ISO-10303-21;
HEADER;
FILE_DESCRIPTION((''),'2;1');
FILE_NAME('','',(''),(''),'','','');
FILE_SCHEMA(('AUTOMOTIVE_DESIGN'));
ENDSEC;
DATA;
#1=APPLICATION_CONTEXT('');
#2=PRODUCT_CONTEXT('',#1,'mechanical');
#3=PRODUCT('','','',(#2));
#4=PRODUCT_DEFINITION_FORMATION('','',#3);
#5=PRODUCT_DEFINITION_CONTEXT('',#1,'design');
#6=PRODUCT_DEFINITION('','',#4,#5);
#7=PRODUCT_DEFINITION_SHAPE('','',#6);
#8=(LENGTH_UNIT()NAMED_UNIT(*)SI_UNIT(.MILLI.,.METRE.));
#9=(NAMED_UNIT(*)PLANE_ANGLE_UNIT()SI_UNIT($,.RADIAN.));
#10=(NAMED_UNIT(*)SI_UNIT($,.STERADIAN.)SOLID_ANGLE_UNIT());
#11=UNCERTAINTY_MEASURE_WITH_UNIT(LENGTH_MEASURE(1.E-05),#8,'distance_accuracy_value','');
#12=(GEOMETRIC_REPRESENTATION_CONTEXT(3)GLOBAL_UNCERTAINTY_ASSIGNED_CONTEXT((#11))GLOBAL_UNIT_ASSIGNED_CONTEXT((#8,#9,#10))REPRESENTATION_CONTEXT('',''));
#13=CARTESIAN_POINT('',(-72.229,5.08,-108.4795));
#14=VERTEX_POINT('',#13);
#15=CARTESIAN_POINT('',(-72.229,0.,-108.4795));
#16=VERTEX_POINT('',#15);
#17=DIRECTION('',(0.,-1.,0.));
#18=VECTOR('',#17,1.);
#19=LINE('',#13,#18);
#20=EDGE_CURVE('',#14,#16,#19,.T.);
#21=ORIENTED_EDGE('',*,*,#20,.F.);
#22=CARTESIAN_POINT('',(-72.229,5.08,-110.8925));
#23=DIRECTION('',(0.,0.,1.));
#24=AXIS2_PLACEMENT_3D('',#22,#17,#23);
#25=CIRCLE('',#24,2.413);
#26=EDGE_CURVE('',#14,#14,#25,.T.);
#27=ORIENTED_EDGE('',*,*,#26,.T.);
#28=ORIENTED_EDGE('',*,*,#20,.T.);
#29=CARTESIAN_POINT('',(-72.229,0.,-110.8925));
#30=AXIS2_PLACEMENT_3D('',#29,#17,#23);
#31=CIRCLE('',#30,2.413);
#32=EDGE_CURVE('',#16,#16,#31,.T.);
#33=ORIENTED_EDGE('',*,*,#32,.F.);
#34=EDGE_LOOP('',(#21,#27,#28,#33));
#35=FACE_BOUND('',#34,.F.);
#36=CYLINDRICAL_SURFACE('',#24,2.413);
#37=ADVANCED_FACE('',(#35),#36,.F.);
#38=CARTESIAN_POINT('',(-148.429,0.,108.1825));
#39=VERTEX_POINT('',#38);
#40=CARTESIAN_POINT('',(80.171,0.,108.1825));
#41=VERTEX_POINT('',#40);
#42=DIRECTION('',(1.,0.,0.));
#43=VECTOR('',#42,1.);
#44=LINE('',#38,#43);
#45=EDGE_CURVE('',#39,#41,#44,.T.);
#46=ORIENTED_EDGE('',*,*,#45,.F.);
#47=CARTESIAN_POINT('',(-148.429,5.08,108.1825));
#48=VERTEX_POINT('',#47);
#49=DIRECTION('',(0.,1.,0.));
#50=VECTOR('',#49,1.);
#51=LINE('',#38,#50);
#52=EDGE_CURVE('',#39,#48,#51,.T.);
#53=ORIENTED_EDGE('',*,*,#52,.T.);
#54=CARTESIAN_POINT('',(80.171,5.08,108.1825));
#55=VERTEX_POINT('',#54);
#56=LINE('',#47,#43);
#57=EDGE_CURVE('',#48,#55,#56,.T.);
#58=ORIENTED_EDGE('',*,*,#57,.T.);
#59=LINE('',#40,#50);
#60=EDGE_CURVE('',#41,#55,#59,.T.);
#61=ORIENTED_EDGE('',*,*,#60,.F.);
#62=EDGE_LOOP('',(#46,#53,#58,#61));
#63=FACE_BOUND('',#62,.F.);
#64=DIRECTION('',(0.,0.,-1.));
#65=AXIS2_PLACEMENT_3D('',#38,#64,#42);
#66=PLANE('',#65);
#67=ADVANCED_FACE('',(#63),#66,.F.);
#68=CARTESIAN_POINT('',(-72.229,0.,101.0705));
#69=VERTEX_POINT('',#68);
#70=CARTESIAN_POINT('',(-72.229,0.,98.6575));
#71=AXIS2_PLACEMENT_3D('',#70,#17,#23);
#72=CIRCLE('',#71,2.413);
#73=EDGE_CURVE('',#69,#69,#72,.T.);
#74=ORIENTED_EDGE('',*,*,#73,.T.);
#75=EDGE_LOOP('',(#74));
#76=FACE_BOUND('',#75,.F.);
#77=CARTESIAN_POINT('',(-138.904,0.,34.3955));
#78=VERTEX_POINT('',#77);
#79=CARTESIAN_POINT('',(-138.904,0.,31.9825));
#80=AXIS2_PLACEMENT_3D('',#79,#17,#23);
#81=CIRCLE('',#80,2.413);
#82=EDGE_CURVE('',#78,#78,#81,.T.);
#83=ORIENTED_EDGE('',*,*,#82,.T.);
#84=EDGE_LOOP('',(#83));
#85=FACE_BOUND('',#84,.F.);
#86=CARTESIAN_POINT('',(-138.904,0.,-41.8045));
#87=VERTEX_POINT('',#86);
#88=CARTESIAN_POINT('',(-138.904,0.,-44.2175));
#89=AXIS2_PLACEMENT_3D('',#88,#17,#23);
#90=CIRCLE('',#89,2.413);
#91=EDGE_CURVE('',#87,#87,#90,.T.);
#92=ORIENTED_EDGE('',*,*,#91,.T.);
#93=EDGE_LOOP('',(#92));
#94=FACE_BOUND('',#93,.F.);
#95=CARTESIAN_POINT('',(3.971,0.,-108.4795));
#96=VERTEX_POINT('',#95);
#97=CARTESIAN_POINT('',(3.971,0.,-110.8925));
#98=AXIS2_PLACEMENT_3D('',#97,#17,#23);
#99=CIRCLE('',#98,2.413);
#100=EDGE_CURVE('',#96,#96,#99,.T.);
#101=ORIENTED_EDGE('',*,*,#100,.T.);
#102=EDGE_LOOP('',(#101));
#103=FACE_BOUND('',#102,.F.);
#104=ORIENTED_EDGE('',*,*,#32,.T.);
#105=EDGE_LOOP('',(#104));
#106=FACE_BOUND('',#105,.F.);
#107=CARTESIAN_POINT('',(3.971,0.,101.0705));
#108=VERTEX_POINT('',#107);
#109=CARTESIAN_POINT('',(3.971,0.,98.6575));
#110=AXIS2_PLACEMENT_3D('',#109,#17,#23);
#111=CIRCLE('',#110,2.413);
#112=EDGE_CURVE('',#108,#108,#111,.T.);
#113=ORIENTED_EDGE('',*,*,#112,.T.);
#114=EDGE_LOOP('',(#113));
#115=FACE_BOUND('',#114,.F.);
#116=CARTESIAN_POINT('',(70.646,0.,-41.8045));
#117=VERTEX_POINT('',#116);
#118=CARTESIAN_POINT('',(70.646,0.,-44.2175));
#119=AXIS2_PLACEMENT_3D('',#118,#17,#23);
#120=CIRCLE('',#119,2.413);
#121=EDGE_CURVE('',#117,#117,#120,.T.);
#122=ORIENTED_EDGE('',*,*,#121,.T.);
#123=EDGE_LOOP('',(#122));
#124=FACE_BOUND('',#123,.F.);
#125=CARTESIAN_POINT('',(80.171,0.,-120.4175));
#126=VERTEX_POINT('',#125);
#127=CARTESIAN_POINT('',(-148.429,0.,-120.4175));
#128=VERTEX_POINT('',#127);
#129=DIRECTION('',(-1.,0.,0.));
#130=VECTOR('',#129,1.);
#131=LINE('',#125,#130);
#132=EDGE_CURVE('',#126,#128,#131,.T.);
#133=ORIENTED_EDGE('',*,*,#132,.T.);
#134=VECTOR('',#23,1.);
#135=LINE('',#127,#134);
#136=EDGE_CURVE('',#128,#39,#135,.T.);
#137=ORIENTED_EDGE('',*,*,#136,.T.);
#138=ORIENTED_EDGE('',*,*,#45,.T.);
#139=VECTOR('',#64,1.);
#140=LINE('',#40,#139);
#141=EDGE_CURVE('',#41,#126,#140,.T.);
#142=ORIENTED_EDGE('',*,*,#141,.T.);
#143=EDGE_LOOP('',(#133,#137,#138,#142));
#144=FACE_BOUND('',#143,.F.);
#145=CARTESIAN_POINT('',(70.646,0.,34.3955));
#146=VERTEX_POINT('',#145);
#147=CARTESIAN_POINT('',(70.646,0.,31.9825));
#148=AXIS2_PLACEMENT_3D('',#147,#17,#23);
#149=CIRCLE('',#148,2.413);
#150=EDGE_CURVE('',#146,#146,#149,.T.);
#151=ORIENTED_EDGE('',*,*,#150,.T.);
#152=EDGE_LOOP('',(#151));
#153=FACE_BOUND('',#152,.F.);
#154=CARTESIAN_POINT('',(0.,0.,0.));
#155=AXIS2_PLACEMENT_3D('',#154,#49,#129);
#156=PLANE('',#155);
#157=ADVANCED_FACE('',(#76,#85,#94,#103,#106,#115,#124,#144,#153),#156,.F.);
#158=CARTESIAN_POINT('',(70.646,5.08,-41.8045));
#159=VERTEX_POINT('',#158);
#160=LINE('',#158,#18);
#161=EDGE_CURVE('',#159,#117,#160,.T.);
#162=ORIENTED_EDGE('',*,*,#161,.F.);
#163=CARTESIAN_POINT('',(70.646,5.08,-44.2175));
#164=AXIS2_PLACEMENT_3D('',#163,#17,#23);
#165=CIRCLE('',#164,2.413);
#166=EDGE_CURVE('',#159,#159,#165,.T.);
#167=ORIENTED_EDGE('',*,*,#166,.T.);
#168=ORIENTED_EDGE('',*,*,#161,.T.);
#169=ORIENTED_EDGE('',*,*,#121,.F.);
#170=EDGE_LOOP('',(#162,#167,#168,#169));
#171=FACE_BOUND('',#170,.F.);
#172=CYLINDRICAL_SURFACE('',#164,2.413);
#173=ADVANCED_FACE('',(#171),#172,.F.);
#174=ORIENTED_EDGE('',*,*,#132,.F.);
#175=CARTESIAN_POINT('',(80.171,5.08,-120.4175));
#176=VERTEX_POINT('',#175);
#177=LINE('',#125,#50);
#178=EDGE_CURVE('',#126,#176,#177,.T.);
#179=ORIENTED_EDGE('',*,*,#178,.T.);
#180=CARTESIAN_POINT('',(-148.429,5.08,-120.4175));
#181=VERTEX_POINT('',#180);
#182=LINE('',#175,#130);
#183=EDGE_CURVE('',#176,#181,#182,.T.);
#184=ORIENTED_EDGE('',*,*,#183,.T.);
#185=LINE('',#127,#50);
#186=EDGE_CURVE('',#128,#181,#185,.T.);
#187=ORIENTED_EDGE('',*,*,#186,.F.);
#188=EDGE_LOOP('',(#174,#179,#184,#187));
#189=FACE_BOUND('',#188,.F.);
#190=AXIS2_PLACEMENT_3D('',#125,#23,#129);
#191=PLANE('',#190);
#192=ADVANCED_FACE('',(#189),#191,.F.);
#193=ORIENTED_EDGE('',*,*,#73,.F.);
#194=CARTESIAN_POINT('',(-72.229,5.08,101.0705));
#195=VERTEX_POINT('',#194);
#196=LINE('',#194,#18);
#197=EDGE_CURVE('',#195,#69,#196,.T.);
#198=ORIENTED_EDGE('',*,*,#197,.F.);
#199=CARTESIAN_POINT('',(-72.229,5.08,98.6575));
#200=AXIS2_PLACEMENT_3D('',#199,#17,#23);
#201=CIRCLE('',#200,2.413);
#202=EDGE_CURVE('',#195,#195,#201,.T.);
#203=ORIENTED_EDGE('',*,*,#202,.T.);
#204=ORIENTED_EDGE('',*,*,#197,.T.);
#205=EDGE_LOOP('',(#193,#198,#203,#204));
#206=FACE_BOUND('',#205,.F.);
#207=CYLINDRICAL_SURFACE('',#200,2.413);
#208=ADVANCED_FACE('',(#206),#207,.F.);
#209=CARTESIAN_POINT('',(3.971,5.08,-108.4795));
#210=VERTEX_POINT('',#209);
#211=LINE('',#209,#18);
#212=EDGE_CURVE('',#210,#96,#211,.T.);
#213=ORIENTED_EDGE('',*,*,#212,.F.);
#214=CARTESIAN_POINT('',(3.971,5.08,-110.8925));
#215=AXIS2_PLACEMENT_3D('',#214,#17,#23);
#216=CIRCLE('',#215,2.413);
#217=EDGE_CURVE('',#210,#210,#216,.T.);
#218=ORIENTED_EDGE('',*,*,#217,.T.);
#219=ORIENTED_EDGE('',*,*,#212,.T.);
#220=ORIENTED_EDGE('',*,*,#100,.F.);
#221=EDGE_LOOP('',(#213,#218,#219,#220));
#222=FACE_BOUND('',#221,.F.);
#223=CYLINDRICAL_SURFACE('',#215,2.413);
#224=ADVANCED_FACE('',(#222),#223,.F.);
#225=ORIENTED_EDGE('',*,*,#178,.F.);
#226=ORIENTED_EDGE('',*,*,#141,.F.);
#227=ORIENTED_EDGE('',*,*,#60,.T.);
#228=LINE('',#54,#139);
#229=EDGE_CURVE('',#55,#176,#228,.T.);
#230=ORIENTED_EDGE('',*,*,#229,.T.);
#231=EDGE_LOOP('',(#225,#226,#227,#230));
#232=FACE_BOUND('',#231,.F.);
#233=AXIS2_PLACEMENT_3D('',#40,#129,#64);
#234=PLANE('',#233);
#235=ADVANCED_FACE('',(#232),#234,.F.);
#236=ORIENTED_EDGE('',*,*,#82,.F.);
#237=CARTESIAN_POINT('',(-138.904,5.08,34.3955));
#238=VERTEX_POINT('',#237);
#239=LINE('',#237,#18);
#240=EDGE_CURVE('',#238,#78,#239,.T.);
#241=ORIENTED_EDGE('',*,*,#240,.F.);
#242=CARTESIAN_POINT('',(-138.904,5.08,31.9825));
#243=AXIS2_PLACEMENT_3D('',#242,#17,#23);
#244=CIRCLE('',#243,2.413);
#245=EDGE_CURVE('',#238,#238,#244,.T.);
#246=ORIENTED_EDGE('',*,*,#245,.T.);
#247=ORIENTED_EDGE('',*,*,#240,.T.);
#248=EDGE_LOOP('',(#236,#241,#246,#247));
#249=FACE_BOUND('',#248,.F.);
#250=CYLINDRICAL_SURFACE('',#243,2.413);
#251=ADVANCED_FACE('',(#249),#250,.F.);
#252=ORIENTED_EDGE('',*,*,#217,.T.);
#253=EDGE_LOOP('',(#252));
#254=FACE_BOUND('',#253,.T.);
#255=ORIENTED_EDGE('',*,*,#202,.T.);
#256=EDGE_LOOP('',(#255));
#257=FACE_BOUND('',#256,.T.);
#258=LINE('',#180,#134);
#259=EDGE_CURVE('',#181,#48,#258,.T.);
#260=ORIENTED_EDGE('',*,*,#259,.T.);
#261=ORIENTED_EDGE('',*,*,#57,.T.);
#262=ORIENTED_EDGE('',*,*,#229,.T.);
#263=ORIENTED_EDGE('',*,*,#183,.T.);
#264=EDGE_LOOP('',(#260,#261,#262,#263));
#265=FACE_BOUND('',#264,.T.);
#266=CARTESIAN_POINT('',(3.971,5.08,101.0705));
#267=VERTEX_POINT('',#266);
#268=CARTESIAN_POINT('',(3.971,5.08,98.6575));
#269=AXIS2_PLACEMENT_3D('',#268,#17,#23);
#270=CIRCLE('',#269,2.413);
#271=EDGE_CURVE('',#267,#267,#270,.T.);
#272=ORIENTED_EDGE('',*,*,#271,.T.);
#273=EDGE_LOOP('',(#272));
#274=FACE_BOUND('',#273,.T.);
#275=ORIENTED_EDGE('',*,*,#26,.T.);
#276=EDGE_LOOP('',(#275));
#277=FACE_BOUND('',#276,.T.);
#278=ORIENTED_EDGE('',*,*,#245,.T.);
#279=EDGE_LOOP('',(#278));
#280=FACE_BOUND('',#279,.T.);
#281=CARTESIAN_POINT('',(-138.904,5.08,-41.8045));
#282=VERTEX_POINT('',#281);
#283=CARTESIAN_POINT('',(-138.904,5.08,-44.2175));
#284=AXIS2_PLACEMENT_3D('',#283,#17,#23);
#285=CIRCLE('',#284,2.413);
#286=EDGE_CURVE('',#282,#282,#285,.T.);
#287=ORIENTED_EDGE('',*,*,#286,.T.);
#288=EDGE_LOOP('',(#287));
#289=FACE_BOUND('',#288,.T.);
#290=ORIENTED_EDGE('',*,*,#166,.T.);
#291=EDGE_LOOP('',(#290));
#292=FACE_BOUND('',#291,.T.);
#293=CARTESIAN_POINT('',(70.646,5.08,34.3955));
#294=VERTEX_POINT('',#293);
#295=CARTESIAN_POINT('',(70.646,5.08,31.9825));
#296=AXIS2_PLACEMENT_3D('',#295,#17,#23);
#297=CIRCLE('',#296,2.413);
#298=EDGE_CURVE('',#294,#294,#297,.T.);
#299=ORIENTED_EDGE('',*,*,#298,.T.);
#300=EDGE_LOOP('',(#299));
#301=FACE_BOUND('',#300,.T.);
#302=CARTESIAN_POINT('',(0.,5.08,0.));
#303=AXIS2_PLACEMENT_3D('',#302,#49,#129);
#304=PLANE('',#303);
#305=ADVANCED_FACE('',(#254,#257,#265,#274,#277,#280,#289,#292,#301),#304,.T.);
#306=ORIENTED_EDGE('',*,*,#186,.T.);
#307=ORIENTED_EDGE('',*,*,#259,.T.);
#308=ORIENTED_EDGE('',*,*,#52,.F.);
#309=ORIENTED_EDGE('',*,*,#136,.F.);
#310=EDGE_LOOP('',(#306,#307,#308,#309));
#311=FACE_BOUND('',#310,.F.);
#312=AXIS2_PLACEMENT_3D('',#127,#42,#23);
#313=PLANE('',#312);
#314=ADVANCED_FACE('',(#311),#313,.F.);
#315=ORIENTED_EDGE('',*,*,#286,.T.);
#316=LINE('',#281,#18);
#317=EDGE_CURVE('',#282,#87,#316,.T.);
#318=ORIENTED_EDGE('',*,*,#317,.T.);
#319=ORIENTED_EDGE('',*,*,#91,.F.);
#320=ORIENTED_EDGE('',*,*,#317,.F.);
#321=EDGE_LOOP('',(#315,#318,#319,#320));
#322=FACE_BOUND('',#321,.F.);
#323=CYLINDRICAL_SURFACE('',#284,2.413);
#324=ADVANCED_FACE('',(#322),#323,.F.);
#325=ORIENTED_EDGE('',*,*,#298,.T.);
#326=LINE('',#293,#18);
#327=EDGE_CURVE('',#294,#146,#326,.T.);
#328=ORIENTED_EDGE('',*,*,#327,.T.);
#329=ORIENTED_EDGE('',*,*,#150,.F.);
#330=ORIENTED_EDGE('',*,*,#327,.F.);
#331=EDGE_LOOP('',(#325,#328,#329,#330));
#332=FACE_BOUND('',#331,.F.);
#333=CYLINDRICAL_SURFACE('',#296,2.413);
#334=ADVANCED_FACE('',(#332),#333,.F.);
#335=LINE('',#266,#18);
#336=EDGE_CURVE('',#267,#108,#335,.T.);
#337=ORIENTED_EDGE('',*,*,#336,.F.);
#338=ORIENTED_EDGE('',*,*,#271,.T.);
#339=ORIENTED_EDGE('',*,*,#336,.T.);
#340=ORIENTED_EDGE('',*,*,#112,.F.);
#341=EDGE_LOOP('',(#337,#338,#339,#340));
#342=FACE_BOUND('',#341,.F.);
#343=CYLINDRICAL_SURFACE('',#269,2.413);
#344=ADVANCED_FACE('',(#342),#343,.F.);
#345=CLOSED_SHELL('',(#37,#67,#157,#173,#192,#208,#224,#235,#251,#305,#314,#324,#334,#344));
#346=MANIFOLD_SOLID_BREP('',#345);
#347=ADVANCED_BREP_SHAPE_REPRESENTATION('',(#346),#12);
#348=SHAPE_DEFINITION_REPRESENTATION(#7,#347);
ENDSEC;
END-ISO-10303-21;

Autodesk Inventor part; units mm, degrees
ref_plane "YZ Plane" through (0, 0, 0) normal (1, 0, 0) x (0, 1, 0)
ref_plane "XZ Plane" through (0, 0, 0) normal (0, 1, 0) x (-1, 0, 0)
ref_plane "XY Plane" through (0, 0, 0) normal (0, 0, 1) x (1, 0, 0)
sketch "Sketch1" plane through (0, 0, 0) normal (0, 1, 0) x (-1, 0, 0)
  line L0 (148.429, 108.1825) -> (-80.171, 108.1825)
  line L1 (-80.171, 108.1825) -> (-80.171, -120.4175)
  line L2 (-80.171, -120.4175) -> (148.429, -120.4175)
  line L3 (148.429, -120.4175) -> (148.429, 108.1825)
  point P0 (0, 0)
  dimension "d0" = 228.6
  dimension "d1" = 228.6
extrude "Extrusion1" add sketch "Sketch1" along normal blind 5.08
sketch "Sketch2" plane through (0, 5.08, 0) normal (0, 1, 0) x (1, 0, 0)
  line L0 (-148.429, -108.1825) -> (80.171, -108.1825) projected
  line L1 (80.171, 120.4175) -> (-148.429, 120.4175) projected
  line L2 (-148.429, 120.4175) -> (-148.429, -108.1825) projected
  line L3 (80.171, -108.1825) -> (80.171, 120.4175) projected
  point P0 (0, 0)
  point P1 (-138.904, -31.9825)
  point P2 (-138.904, 44.2175)
  point P3 (-72.229, 110.8925)
  point P4 (3.971, 110.8925)
  point P5 (70.646, 44.2175)
  point P6 (70.646, -31.9825)
  point P7 (-72.229, -98.6575)
  point P8 (3.971, -98.6575)
  dimension "d4" = 76.2
  dimension "d5" = 76.2
  dimension "d6" = 76.2
  dimension "d7" = 9.525
  dimension "d8" = 9.525
  dimension "d9" = 76.2
  dimension "d10" = 9.525
  dimension "d11" = 76.2
  dimension "d12" = 9.525
  dimension "d13" = 9.525
hole "Hole1" at (-138.904, 5.08, 31.9825) at (-138.904, 5.08, -44.2175) at (-72.229, 5.08, -110.8925) at (3.971, 5.08, -110.8925) at (70.646, 5.08, -44.2175) at (70.646, 5.08, 31.9825) at (-72.229, 5.08, 98.6575) at (3.971, 5.08, 98.6575) direction (0, -1, 0) diameter 4.826 end through all
equation "\"d0\" = ControlPlateLength"
equation "\"d1\" = ControlPlateLength"
equation "\"d2\" = WallWidth"
equation "\"d7\" = ControlHoleBoltHoleMid"
equation "\"d8\" = ControlHoleBoltHoleMid"
equation "\"d10\" = ControlHoleBoltHoleMid"
equation "\"d12\" = ControlHoleBoltHoleMid"
equation "\"d13\" = ControlHoleBoltHoleMid"
equation "\"DSLength\" = 1371.6"
equation "\"DSWidth\" = 304.8"
equation "\"DCDeckHeight\" = 76.2"
equation "\"WallWidth\" = 5.08"
equation "\"EdgeAngle\" = 10deg"
equation "\"LengthCuts\" = 152.4"
equation "\"WidthCuts\" = 50.8"
equation "\"PartLength\" = 228.6"
equation "\"PartWidth\" = 152.4"
equation "\"BoltHoldDiam\" = 6.35"
equation "\"ControlPlateLength\" = 228.6"
equation "\"ControlPlateWidth\" = 228.6"
equation "\"ControlPlateShelfLength\" = 19.05"
equation "\"ControlHoleLength\" = 190.5"
equation "\"ControlHoleWidth\" = 190.5"
equation "\"ControlHoleFromSide\" = 63.5"
equation "\"ControlHoleBoltHoleMid\" = 9.525"
equation "\"DU1CHLength\" = 146.05"
equation "\"DU1CHWidth\" = 69.85"
equation "\"CPFromBack\" = 63.5"
equation "\"CPDeckHeight\" = 71.12"
equation "\"CPFromSide\" = 63.5"
equation "\"ControlPlateScrewLength\" = 76.2"
equation "\"DSBackHeight\" = 127"
equation "\"BackShelf\" = 25.4"
equation "\"MainAngle\" = 168.22deg"
equation "\"CPDWidthHole\" = 120.65"
equation "\"CPDLengthHole\" = 146.05"
equation "\"DownBackHeight\" = 130.7084"
properties part number "ControlPlate"
